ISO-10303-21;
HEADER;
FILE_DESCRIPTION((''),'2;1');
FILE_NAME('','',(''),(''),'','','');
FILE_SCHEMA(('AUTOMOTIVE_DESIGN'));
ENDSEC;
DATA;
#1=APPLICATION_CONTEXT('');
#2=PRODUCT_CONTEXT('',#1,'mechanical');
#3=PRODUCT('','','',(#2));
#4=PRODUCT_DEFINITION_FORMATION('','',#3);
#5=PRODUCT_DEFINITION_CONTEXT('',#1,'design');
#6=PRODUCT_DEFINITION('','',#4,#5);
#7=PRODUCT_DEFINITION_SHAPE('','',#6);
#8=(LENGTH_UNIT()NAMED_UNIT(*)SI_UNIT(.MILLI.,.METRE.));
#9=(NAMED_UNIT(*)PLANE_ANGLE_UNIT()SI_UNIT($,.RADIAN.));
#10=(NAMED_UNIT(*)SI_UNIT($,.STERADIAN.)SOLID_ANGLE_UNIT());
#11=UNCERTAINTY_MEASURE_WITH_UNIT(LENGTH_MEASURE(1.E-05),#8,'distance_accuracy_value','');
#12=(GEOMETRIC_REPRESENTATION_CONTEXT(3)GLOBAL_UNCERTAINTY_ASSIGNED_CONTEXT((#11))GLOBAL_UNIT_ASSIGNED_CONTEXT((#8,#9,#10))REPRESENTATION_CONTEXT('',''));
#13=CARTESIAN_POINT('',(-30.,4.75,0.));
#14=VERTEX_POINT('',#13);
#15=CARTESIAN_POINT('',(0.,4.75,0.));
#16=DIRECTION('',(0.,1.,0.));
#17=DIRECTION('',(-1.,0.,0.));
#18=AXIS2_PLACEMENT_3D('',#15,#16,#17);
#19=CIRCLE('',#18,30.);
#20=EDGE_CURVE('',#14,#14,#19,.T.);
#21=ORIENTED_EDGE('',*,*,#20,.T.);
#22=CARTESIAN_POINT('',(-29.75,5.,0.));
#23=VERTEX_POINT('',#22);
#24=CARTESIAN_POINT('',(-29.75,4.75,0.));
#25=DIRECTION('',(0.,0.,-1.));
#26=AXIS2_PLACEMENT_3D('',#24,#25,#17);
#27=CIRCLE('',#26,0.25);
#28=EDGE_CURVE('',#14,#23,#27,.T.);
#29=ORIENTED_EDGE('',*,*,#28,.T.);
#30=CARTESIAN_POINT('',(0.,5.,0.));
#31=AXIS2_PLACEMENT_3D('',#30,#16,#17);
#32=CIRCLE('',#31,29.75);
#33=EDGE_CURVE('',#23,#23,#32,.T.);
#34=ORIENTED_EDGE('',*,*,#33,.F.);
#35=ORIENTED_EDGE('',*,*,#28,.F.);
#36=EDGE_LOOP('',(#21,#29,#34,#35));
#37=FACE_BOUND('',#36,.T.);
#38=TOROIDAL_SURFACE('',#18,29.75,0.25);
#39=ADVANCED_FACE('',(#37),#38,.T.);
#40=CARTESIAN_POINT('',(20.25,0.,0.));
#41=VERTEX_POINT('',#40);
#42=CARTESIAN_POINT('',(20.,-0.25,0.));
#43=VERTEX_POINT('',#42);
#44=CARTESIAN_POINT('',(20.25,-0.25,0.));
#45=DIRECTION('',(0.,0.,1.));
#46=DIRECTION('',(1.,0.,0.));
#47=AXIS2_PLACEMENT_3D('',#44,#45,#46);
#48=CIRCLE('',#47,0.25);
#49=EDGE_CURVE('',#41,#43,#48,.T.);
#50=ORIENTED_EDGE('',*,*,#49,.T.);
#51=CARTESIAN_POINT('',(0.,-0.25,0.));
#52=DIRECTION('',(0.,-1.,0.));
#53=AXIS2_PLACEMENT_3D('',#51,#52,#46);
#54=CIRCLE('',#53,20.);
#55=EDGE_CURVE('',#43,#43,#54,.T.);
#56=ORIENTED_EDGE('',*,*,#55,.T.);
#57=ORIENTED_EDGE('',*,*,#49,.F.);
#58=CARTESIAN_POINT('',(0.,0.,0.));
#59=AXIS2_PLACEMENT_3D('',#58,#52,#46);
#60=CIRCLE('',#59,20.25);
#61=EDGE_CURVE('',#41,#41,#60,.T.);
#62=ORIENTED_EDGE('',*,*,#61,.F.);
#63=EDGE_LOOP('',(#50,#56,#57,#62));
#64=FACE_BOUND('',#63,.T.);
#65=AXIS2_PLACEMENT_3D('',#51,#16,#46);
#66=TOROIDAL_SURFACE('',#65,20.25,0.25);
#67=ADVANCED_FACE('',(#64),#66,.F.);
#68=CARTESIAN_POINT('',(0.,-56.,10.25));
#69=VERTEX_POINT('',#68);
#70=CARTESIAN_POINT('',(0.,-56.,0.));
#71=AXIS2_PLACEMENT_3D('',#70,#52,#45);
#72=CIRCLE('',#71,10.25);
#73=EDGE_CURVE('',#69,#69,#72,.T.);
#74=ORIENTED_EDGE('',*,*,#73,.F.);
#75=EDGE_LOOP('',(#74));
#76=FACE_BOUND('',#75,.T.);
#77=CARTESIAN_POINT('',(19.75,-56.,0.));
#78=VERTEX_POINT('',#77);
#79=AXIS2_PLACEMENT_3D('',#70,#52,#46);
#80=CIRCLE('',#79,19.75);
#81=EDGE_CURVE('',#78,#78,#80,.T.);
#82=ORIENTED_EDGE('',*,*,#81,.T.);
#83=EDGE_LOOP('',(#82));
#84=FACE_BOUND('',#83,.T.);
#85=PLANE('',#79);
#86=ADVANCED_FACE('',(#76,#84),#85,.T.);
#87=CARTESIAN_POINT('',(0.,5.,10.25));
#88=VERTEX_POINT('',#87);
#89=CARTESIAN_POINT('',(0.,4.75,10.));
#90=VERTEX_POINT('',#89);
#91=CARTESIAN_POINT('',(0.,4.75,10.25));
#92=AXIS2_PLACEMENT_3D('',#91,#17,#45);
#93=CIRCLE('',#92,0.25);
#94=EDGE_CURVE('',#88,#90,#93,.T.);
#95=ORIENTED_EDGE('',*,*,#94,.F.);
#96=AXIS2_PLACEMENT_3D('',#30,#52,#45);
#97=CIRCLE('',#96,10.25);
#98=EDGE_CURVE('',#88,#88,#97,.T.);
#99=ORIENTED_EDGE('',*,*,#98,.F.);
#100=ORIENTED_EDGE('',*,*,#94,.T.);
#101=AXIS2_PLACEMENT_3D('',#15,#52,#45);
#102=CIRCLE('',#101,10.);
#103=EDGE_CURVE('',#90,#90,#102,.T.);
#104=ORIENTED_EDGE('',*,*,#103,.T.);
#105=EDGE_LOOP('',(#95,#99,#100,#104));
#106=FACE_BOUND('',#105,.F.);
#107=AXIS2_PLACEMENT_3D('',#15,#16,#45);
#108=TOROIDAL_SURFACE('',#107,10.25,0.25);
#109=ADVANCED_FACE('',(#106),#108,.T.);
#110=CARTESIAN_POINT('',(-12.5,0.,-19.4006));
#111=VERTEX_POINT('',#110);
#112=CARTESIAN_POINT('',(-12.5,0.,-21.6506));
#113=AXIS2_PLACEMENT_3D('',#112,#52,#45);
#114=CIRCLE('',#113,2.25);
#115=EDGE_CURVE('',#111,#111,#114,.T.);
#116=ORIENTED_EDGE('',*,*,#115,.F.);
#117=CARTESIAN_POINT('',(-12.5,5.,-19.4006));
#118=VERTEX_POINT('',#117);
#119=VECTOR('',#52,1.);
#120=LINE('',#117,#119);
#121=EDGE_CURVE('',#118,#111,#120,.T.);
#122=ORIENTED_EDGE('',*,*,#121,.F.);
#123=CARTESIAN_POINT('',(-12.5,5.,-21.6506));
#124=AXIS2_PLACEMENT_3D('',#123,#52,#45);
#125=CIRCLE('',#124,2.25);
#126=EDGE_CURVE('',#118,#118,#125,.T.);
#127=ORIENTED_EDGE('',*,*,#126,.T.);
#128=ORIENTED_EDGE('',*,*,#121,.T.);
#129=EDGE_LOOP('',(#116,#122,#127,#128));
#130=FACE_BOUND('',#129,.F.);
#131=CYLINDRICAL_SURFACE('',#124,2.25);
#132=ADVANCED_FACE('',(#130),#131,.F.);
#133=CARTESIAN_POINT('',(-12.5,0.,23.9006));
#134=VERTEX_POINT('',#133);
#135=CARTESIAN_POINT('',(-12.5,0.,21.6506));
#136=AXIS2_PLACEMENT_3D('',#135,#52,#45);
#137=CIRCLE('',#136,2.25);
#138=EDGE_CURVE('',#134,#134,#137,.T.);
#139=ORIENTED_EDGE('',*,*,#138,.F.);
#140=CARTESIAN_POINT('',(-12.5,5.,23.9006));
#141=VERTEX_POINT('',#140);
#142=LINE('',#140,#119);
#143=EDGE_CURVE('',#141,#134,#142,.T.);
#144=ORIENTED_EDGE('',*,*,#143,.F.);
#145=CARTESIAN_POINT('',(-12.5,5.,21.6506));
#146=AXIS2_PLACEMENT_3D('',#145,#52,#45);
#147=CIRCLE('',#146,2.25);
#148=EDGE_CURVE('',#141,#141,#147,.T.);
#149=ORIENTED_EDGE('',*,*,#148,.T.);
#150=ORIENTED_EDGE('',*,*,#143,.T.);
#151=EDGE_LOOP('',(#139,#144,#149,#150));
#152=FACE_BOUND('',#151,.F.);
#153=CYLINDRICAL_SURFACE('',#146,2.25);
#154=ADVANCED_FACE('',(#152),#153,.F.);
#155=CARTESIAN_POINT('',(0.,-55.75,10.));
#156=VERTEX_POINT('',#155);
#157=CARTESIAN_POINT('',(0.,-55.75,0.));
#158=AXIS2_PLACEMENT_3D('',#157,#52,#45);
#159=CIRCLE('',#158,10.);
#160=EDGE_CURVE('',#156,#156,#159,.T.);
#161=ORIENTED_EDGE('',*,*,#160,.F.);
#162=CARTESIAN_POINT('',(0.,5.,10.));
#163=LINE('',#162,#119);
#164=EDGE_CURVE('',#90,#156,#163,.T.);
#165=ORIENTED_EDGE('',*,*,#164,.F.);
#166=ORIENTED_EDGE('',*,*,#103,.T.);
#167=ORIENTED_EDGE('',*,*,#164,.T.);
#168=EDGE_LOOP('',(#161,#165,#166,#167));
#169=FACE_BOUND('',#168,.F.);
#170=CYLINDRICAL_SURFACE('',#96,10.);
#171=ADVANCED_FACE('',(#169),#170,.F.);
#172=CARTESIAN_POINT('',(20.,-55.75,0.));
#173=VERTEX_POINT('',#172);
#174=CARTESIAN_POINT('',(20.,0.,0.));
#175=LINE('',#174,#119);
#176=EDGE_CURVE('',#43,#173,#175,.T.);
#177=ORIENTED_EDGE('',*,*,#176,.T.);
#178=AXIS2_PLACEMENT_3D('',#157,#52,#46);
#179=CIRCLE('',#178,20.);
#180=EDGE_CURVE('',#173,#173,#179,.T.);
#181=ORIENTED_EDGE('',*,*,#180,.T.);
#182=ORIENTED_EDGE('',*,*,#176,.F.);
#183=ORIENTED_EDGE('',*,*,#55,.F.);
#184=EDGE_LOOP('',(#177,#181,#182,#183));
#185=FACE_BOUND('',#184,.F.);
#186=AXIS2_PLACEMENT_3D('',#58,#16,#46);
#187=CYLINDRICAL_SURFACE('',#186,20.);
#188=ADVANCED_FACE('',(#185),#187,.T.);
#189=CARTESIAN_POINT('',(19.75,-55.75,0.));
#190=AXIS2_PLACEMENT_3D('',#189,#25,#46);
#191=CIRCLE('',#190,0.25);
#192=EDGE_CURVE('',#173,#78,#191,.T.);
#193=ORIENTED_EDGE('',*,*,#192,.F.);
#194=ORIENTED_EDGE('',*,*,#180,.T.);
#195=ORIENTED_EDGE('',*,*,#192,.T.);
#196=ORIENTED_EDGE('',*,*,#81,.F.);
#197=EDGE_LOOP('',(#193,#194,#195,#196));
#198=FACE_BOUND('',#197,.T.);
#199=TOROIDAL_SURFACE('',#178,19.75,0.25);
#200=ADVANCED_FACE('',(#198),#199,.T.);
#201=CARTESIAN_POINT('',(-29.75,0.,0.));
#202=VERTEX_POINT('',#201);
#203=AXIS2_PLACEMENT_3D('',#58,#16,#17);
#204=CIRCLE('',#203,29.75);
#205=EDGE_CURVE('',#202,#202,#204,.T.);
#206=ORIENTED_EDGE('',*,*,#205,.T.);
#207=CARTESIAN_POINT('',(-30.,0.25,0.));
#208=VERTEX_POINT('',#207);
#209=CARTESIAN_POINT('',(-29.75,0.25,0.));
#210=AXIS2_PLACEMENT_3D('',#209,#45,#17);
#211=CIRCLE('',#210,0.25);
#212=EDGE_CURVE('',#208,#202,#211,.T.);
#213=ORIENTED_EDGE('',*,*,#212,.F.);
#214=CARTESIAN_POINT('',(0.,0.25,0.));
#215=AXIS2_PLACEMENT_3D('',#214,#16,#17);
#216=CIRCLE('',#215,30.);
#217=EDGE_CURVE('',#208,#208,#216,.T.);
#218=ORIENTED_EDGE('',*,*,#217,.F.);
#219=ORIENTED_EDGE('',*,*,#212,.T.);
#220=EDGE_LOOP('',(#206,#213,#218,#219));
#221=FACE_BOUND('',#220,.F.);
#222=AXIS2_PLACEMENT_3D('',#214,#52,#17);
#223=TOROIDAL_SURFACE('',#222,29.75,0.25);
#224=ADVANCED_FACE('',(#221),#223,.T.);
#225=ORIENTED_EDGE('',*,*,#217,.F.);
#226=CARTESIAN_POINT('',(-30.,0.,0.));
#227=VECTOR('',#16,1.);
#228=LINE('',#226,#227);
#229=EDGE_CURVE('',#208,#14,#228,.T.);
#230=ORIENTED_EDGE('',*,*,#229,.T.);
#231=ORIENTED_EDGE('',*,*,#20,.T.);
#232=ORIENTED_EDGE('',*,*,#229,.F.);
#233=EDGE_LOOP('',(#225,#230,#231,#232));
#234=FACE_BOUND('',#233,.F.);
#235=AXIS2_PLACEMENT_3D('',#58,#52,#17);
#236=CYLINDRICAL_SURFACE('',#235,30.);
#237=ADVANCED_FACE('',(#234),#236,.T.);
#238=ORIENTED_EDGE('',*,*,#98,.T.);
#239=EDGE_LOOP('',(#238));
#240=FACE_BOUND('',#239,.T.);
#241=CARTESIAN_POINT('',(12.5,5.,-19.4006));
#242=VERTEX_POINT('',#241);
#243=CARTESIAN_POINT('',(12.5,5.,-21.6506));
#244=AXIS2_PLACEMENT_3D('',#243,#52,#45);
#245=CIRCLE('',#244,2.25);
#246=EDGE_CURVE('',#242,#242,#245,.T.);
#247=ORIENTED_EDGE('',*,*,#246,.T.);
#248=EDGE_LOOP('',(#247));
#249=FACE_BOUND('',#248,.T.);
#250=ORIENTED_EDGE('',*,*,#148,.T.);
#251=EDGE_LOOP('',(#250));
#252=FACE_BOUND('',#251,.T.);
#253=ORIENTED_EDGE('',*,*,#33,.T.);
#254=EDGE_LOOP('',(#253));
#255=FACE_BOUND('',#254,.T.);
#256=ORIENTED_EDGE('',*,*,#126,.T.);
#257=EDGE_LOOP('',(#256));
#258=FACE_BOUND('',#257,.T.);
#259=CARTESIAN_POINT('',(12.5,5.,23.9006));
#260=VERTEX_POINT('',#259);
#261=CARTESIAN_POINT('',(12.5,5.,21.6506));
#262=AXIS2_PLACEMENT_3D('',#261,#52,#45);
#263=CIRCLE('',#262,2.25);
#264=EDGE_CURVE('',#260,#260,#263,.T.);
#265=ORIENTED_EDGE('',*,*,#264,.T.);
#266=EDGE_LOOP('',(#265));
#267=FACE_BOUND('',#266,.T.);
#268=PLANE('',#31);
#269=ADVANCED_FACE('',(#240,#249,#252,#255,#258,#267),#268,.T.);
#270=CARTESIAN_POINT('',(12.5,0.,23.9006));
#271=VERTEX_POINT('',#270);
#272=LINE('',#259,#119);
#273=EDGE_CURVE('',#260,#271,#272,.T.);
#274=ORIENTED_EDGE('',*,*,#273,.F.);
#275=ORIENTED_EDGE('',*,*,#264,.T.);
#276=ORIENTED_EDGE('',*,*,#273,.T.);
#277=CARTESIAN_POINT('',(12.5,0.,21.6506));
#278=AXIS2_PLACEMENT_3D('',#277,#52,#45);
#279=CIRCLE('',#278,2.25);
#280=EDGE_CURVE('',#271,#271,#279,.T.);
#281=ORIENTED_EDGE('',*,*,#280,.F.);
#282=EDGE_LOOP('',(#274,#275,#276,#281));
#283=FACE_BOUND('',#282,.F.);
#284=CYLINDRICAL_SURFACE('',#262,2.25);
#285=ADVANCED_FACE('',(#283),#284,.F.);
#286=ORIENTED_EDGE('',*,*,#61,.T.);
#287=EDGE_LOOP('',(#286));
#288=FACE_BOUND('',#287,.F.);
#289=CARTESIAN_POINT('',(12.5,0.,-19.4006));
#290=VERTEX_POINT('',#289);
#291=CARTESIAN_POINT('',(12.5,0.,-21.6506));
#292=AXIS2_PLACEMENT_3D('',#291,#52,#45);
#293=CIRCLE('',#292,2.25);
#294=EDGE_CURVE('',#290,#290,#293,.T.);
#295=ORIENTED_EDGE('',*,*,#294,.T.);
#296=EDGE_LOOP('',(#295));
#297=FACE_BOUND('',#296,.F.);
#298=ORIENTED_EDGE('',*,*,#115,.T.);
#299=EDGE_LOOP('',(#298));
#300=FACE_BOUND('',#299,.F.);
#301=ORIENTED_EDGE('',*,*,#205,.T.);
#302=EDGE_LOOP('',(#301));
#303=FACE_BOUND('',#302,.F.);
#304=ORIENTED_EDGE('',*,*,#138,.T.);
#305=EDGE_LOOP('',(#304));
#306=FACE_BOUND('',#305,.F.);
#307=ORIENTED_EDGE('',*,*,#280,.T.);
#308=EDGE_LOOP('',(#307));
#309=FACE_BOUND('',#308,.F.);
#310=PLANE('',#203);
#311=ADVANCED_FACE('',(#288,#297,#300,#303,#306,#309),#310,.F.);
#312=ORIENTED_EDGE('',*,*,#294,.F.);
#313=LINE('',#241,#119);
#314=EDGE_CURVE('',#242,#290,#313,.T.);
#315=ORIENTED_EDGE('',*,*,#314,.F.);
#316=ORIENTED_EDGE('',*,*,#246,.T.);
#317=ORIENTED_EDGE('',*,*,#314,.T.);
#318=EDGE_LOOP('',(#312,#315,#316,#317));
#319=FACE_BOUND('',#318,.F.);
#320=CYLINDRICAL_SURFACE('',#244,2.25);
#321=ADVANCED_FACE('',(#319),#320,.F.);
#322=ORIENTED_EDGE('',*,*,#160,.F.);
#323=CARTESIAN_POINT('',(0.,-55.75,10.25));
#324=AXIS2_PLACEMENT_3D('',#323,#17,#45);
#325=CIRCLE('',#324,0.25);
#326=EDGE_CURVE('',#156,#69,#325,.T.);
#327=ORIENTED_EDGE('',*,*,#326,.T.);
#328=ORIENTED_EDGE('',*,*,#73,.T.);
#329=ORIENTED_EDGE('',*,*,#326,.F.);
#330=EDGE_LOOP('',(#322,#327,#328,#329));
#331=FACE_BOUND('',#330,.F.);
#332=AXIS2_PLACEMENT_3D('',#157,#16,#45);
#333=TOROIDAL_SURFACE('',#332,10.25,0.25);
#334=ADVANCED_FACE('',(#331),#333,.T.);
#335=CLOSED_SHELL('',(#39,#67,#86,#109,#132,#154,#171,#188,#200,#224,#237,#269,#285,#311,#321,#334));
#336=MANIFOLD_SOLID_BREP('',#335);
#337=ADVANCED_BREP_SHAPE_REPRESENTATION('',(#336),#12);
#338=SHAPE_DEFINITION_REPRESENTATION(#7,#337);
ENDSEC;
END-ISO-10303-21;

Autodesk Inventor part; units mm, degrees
ref_plane "YZ Plane" through (0, 0, 0) normal (1, 0, 0) x (0, 1, 0)
ref_plane "XZ Plane" through (0, 0, 0) normal (0, 1, 0) x (-1, 0, 0)
ref_plane "XY Plane" through (0, 0, 0) normal (0, 0, 1) x (1, 0, 0)
sketch "Sketch1" plane through (0, 0, 0) normal (0, 1, 0) x (-1, 0, 0)
  circle A0 centre (0, 0) radius 30
  dimension "d0" = 60
extrude "Extrusion1" add sketch "Sketch1" along normal blind 5
sketch "Sketch2" plane through (0, 0, 0) normal (0, -1, 0) x (1, 0, 0)
  circle A0 centre (0, 0) radius 20
  dimension "d3" = 40
extrude "Extrusion2" add sketch "Sketch2" along normal blind 56
sketch "Sketch3" plane through (0, 5, 0) normal (0, 1, 0) x (1, 0, 0)
  circle A0 centre (0, 0) radius 2.5 construction
  dimension "d6" = 5
hole "Hole1" at (0, 5, 0) direction (0, -1, 0) diameter 20 end through all
thread "Thread1" size "M20x2.5" class "6H" standard "ANSI Metric M Profile" full length
sketch "Sketch4" plane through (0, 5, 0) normal (0, 1, 0) x (1, 0, 0)
  line L0 (0, 0) -> (0, 50) construction
  line L1 (0, 0) -> (25, 43.3013) construction
  line L2 (0, 0) -> (-25, 43.3013) construction
  circle A0 centre (0, 0) radius 25 construction
  circle A1 centre (12.5, 21.6506) radius 2 construction
  circle A2 centre (-12.5, 21.6506) radius 2 construction
  line L3 (0, 0) -> (25, 0) construction
  circle A3 centre (12.5, -21.6506) radius 2 construction
  circle A4 centre (-12.5, -21.6506) radius 2 construction
  dimension "d16" = 50
  dimension "d17" = 50
  dimension "d18" = 30
  dimension "d19" = 50
  dimension "d20" = 4
  dimension "d21" = 4
hole "Hole2" at (12.5, 5, -21.6506) at (-12.5, 5, -21.6506) at (12.5, 5, 21.6506) at (-12.5, 5, 21.6506) direction (0, -1, 0) diameter 4.5 end through all
fillet "Fillet1" radius 0.25 6 edges at (30, 0, 0) (30, 5, 0) (-20, -56, 0) (0, -56, -10) (-20, 0, 0) (0, 5, -10)
properties part number "RNFBL2005A2.5S" material "Steel, Carbon"
